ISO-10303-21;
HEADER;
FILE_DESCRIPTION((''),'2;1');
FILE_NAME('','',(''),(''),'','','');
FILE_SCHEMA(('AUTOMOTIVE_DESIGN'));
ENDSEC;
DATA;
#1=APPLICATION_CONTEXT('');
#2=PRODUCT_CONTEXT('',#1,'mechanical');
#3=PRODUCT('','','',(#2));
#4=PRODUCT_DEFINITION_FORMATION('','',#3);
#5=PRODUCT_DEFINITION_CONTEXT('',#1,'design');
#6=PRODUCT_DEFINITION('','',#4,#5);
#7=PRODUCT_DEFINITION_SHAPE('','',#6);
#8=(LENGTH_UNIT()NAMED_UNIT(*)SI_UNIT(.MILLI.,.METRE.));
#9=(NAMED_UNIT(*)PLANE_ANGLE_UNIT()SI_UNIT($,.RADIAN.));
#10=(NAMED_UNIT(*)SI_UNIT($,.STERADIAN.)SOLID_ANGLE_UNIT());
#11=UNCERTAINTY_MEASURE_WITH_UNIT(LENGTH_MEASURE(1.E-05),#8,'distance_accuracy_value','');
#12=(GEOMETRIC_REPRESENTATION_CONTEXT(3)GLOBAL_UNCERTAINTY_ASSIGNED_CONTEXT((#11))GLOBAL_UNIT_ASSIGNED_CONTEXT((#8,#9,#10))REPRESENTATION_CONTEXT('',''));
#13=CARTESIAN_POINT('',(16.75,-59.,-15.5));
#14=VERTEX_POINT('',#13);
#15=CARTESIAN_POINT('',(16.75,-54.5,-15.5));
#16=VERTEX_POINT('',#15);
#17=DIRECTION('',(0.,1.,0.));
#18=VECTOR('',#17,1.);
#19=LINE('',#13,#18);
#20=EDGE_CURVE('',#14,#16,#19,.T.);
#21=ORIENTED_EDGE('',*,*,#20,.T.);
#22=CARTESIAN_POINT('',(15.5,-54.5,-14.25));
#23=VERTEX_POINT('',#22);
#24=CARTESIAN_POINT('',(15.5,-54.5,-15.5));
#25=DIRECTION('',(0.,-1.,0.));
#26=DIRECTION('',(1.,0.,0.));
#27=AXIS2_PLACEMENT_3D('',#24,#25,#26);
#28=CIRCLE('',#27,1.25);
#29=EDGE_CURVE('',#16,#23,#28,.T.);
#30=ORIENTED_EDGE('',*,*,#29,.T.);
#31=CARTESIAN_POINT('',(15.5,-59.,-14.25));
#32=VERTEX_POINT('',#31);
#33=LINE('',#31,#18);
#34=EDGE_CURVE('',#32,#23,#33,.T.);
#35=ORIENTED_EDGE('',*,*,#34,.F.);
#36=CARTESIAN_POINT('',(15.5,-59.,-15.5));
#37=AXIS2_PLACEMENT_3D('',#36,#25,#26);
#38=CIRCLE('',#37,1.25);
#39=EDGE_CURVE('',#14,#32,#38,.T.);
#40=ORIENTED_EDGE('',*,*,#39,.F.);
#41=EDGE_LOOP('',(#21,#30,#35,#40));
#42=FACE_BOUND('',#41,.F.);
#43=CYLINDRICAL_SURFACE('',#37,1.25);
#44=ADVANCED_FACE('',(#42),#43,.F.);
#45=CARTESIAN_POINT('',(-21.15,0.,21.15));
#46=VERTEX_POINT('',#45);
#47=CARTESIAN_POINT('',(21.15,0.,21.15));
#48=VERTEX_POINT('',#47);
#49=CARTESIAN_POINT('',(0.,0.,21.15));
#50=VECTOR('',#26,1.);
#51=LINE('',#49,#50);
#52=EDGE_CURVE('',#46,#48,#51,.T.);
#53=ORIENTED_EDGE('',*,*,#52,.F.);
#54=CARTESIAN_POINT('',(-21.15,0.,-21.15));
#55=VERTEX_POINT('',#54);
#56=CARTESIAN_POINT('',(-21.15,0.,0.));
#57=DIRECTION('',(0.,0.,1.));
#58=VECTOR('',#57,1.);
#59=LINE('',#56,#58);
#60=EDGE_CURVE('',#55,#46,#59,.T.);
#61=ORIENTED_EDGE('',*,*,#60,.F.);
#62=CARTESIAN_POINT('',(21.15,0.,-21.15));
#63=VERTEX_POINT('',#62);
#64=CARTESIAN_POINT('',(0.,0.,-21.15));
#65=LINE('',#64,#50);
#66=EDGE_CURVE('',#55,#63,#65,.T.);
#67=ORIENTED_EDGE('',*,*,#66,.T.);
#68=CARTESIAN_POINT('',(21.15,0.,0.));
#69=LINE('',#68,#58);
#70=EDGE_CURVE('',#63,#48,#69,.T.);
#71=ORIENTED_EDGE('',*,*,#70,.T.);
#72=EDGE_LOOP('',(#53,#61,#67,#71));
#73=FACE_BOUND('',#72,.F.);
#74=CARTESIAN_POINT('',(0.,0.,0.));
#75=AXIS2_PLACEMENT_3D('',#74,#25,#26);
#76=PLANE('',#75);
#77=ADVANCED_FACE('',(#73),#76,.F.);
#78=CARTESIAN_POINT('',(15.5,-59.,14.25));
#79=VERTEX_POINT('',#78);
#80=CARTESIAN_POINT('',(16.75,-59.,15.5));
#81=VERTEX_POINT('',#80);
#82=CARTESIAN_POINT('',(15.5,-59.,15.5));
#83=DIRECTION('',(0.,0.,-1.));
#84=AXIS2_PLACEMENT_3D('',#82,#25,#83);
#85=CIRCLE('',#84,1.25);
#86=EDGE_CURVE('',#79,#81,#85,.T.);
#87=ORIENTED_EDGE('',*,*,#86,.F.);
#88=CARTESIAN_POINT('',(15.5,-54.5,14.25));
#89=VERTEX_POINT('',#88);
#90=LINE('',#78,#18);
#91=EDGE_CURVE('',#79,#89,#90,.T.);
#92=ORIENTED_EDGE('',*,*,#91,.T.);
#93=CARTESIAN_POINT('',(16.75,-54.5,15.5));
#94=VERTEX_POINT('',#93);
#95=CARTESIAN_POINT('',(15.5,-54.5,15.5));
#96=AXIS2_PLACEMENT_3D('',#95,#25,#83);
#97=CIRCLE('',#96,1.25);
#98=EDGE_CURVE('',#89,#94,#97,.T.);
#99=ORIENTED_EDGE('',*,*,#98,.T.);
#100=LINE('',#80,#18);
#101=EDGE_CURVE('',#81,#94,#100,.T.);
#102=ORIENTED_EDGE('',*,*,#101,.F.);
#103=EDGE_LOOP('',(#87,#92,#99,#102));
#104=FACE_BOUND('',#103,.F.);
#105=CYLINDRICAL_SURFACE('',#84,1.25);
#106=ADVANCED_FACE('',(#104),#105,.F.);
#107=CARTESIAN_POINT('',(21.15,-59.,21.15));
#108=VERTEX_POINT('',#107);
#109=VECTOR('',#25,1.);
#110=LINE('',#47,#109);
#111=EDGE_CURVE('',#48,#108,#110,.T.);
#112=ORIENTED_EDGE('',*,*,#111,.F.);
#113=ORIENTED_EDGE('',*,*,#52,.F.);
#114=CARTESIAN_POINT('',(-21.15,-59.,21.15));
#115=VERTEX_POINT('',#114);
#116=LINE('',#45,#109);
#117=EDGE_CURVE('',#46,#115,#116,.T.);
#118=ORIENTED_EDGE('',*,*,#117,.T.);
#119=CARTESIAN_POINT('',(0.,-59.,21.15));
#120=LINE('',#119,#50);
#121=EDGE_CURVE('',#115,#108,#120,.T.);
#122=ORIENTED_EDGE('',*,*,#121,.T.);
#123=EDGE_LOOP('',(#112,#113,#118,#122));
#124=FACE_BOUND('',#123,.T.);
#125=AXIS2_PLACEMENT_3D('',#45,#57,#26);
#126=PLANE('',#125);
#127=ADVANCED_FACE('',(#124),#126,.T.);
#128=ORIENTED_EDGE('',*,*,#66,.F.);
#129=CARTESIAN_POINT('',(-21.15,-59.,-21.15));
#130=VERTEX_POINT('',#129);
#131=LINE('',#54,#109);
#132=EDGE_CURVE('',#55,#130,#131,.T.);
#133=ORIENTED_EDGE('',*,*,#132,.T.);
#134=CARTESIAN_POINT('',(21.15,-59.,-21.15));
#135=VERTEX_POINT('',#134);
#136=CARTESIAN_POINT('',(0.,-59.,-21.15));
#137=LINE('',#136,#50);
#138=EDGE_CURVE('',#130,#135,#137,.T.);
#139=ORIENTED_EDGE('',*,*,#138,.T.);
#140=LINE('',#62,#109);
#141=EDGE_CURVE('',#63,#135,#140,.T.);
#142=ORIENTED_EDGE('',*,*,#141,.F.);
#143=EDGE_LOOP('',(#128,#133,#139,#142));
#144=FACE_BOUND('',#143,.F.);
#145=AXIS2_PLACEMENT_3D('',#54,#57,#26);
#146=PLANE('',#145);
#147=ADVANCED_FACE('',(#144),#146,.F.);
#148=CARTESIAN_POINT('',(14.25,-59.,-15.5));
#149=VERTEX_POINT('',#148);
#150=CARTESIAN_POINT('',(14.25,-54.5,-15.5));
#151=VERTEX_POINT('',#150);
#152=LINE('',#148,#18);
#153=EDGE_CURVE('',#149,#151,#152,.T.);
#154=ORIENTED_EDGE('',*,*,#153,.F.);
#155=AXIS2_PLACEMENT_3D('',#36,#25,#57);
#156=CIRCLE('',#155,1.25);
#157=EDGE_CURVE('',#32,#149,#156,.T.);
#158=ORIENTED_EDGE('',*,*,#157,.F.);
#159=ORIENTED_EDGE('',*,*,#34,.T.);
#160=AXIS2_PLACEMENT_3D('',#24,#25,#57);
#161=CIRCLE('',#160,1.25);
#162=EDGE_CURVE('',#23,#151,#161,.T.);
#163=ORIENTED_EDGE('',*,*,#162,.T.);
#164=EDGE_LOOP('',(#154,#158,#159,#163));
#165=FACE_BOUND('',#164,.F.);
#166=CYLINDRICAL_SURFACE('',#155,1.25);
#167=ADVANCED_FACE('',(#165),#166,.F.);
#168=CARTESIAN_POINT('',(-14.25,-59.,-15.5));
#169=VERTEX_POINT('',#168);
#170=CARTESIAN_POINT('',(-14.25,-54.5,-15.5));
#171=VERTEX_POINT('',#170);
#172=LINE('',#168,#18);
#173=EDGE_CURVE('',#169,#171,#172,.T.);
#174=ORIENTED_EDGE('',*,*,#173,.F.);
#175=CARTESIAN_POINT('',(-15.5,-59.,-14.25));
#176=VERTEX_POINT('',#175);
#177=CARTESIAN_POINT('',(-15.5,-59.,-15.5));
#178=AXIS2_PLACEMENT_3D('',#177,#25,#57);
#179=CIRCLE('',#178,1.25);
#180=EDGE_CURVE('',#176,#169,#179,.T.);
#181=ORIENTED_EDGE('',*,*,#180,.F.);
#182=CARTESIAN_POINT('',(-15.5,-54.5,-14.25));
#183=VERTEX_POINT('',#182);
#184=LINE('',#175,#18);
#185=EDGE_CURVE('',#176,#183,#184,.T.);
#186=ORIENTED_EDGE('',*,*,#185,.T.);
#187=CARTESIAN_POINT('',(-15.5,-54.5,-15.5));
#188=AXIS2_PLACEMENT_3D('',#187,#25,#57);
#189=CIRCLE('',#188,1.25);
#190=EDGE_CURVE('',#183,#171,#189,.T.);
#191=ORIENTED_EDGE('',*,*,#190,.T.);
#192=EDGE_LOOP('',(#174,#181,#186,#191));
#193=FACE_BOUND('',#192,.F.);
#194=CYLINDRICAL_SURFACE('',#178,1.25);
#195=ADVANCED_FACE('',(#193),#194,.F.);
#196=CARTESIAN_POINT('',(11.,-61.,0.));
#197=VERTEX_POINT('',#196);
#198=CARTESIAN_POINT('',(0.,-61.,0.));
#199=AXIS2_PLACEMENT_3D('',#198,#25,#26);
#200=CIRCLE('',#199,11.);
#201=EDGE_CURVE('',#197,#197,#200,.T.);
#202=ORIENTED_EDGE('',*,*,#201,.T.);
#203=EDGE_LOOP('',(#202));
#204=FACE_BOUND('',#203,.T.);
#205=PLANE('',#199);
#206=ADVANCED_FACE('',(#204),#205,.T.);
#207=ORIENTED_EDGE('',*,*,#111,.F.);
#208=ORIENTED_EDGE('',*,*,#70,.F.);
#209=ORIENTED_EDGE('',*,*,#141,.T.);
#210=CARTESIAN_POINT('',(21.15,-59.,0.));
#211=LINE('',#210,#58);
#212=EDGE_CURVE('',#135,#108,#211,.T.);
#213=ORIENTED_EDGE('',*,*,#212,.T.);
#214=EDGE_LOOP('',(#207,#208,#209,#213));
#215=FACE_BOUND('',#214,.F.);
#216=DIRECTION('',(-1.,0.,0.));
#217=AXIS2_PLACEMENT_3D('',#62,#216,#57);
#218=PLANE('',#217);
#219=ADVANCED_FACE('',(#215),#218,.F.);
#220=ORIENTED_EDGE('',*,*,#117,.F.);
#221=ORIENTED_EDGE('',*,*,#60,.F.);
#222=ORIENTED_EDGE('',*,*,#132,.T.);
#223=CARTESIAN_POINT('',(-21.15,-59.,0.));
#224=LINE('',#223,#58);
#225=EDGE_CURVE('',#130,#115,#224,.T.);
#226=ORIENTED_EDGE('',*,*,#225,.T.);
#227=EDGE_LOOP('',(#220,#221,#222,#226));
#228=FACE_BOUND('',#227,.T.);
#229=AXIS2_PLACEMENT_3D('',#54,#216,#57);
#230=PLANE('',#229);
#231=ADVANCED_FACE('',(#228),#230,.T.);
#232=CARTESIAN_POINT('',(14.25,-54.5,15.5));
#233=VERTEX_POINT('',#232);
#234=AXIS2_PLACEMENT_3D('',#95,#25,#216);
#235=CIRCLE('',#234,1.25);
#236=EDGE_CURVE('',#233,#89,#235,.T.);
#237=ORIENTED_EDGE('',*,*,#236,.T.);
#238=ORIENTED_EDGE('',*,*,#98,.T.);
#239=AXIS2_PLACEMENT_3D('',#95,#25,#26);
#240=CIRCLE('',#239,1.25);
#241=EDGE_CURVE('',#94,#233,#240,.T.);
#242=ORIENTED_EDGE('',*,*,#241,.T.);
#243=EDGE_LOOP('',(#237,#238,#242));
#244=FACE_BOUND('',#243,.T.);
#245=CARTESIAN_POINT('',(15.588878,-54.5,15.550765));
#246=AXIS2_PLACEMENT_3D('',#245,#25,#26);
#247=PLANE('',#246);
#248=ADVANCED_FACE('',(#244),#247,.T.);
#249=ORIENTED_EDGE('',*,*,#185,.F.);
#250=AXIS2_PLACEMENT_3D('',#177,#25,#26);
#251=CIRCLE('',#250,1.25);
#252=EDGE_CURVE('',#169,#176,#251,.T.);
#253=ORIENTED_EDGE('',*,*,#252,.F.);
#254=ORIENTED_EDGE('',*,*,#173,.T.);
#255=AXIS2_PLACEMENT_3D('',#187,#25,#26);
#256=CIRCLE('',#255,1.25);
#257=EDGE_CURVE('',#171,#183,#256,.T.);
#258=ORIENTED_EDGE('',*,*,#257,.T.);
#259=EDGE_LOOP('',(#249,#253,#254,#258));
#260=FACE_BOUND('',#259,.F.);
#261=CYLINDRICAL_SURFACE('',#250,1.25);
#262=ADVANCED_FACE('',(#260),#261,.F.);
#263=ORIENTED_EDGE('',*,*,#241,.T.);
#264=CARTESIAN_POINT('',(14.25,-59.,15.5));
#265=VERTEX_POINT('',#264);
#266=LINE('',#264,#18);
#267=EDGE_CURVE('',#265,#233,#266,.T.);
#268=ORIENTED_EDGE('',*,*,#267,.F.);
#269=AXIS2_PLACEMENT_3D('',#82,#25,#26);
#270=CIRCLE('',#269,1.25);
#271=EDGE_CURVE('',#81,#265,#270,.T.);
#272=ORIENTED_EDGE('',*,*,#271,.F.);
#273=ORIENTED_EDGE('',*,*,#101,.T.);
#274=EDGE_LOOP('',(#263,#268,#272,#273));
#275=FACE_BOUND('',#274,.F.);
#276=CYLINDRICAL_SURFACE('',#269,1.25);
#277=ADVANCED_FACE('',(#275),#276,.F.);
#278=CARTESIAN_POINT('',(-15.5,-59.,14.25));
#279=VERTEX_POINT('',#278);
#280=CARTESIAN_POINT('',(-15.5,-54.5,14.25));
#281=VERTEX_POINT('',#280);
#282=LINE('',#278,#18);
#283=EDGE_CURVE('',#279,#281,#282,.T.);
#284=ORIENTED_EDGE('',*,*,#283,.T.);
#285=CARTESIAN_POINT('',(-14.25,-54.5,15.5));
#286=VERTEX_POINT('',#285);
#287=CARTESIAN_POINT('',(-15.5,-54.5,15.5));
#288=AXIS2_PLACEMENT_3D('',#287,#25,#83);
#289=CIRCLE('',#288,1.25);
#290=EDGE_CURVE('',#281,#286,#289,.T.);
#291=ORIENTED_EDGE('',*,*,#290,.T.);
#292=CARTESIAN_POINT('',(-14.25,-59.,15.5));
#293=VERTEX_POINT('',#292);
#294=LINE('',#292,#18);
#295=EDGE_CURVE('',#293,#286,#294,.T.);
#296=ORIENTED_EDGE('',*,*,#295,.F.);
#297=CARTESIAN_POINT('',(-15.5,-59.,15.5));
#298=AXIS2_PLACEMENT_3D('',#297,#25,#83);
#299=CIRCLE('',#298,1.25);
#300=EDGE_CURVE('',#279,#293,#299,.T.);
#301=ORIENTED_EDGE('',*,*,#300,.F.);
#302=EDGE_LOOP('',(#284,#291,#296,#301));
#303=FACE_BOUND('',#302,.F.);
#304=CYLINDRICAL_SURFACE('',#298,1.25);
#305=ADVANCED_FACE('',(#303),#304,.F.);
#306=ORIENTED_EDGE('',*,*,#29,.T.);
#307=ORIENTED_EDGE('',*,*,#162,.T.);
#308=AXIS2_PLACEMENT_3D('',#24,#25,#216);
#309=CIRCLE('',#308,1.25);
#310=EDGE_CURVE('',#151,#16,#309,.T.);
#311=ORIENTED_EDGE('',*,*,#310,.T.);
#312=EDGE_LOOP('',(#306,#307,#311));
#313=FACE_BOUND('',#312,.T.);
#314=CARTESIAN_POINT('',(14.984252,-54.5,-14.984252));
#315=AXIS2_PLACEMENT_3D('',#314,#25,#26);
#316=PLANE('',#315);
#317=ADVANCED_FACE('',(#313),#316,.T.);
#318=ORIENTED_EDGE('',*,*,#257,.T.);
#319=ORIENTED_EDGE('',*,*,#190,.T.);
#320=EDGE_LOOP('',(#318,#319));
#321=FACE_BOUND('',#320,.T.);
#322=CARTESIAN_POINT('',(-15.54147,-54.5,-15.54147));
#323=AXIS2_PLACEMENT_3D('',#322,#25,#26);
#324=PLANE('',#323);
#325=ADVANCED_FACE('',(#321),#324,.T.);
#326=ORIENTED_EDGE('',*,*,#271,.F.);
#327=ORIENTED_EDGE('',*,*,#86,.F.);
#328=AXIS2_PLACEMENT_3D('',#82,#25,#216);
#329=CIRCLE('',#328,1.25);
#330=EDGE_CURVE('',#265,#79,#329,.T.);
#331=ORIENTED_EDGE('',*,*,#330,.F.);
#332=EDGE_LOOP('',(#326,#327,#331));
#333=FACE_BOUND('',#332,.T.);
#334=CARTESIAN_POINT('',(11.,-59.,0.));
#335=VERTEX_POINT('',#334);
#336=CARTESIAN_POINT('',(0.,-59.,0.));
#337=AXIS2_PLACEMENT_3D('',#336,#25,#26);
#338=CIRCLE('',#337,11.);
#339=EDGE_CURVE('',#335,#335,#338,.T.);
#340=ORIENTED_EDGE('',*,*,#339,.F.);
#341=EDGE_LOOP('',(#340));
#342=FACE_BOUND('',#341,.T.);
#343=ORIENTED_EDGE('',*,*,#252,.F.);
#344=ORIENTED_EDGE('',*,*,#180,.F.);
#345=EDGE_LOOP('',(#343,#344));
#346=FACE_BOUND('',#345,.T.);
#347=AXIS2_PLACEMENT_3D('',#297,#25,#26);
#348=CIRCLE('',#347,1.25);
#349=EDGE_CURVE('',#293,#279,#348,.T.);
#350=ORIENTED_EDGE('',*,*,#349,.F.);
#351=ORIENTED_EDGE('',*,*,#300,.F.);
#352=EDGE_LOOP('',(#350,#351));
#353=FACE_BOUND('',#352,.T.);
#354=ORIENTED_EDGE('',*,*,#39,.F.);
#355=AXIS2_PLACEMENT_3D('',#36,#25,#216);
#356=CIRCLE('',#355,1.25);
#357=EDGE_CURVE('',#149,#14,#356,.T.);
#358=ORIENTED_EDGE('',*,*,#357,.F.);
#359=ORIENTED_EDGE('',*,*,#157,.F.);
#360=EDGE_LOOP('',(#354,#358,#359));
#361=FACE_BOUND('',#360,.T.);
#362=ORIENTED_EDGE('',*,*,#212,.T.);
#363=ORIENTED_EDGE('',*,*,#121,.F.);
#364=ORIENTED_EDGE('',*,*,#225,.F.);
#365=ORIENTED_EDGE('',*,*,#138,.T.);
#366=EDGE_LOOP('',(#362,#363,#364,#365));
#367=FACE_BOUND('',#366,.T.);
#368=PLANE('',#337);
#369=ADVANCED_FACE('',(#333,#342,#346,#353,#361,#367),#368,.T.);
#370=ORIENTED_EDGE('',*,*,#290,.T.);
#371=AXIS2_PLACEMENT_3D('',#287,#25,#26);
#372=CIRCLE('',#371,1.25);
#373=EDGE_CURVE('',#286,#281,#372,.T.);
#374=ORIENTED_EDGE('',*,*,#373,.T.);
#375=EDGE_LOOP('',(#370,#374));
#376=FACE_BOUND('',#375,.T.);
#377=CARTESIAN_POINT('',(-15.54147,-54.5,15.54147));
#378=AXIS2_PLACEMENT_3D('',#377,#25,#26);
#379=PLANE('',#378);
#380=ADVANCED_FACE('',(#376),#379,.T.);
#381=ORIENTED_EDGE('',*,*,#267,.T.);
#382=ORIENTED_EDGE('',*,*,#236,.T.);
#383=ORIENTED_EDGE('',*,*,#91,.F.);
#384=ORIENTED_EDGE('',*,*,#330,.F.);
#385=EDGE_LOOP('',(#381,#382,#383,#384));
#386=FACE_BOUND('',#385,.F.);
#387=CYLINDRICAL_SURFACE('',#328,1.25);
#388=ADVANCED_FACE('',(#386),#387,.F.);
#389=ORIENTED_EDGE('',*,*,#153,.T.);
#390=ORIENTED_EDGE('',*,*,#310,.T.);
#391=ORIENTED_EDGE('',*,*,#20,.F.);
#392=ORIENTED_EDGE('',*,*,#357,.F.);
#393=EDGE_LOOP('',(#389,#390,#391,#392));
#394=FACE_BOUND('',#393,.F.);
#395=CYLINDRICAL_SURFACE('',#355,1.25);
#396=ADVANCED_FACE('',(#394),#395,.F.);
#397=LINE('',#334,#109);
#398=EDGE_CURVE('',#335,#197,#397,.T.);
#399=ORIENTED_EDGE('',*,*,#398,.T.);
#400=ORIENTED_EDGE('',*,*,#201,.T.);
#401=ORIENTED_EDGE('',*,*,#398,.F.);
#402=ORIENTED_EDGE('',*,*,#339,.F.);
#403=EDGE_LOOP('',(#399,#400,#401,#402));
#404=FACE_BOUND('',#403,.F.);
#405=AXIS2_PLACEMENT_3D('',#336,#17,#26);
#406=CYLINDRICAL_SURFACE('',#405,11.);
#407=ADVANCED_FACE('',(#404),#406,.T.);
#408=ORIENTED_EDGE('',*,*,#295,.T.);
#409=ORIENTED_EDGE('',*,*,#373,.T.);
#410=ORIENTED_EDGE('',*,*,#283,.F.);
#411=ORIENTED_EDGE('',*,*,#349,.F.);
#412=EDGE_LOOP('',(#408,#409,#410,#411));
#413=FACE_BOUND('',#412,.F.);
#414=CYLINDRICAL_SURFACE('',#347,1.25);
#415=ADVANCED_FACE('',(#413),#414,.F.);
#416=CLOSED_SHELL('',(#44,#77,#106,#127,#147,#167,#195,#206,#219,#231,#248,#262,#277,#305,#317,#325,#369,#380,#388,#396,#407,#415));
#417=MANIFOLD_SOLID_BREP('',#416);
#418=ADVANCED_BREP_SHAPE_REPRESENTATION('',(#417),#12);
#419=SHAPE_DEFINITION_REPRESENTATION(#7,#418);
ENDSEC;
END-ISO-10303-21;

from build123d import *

# Parameters (mm, degrees)
F0_W      = 42.3
F0_H      = 42.3
F1_DEPTH  = 59
F2_R      = 11
F3_DEPTH  = 2
F4_R      = 2.5
F5_DEPTH  = 22
F7_DEPTH  = 15
F9_DEPTH  = 4.5
F10_DEPTH = 22
F11_DEPTH = 7


with BuildPart() as f1:
    # F0 (on Front) → F1 (new body)
    with BuildSketch(Plane.XZ):
        Rectangle(F0_W, F0_H)
    extrude(amount=F1_DEPTH)

    # F2 (on face) → F3 (join)
    with BuildSketch(Plane.XZ.offset(59)):
        Circle(F2_R)
    extrude(amount=F3_DEPTH)

    # F4 (on face) → F5 (join)
    with BuildSketch(Plane.XZ.offset(61)):
        Circle(F4_R)
    extrude(amount=F5_DEPTH)

    # F6 (on face) → F7 (cut)
    with BuildSketch(Plane.XZ.offset(83)):
        with BuildLine():
            ThreePointArc((0, 2.5), (-0.790569415, 2.3717082451), (-1.5, 2))
            Line((-1.5, 2), (0, 2))
            Line((0, 2), (0, 2.5))
        make_face()
        with BuildLine():
            Line((0, 2.5), (0, 2))
            Line((0, 2), (1.5, 2))
            ThreePointArc((1.5, 2), (0.790569415, 2.3717082451), (0, 2.5))
        make_face()
    extrude(amount=-F7_DEPTH, mode=Mode.SUBTRACT)

    # F8 (on face) → F9 (cut)
    with BuildSketch(Plane.XZ.offset(59)):
        with BuildLine():
            ThreePointArc((16.75, 15.5), (15.5, 16.75), (14.25, 15.5))
            Line((14.25, 15.5), (15.5, 15.5))
            Line((15.5, 15.5), (15.5, 14.25))
            ThreePointArc((15.5, 14.25), (16.3838834765, 14.6161165235), (16.75, 15.5))
        make_face()
        with BuildLine():
            Line((15.5, 15.5), (14.25, 15.5))
            ThreePointArc((14.25, 15.5), (14.6161165235, 14.6161165235), (15.5, 14.25))
            Line((15.5, 14.25), (15.5, 15.5))
        make_face()
        with BuildLine():
            Line((-15.5, 14.25), (-15.5, 15.5))
            Line((-15.5, 15.5), (-14.25, 15.5))
            ThreePointArc((-14.25, 15.5), (-16.3838834765, 16.3838834765), (-15.5, 14.25))
        make_face()
        with BuildLine():
            Line((-14.25, 15.5), (-15.5, 15.5))
            Line((-15.5, 15.5), (-15.5, 14.25))
            ThreePointArc((-15.5, 14.25), (-14.6161165235, 14.6161165235), (-14.25, 15.5))
        make_face()
        with BuildLine():
            Line((-15.5, -15.5), (-15.5, -14.25))
            ThreePointArc((-15.5, -14.25), (-16.3838834765, -16.3838834765), (-14.25, -15.5))
            Line((-14.25, -15.5), (-15.5, -15.5))
        make_face()
        with BuildLine():
            ThreePointArc((-14.25, -15.5), (-14.6161165235, -14.6161165235), (-15.5, -14.25))
            Line((-15.5, -14.25), (-15.5, -15.5))
            Line((-15.5, -15.5), (-14.25, -15.5))
        make_face()
        with BuildLine():
            Line((15.5, -15.5), (15.5, -14.25))
            ThreePointArc((15.5, -14.25), (14.6161165235, -14.6161165235), (14.25, -15.5))
            Line((14.25, -15.5), (15.5, -15.5))
        make_face()
        with BuildLine():
            ThreePointArc((16.75, -15.5), (16.3838834765, -14.6161165235), (15.5, -14.25))
            Line((15.5, -14.25), (15.5, -15.5))
            Line((15.5, -15.5), (14.25, -15.5))
            ThreePointArc((14.25, -15.5), (15.5, -16.75), (16.75, -15.5))
        make_face()
    extrude(amount=-F9_DEPTH, mode=Mode.SUBTRACT)

    # F10 (cut): a face of the model
    f10_faces = [f1.faces().sort_by_distance(p)[0] for p in [
        (0, -83, -0.120882785),
    ]]
    extrude(f10_faces, amount=-F10_DEPTH, mode=Mode.SUBTRACT)

    # F11 (cut): a face of the model
    f11_faces = [f1.faces().sort_by_distance(p)[0] for p in [
        (0, -68, 2.2018199305),
    ]]
    extrude(f11_faces, amount=-F11_DEPTH, mode=Mode.SUBTRACT)


solid = f1.part
